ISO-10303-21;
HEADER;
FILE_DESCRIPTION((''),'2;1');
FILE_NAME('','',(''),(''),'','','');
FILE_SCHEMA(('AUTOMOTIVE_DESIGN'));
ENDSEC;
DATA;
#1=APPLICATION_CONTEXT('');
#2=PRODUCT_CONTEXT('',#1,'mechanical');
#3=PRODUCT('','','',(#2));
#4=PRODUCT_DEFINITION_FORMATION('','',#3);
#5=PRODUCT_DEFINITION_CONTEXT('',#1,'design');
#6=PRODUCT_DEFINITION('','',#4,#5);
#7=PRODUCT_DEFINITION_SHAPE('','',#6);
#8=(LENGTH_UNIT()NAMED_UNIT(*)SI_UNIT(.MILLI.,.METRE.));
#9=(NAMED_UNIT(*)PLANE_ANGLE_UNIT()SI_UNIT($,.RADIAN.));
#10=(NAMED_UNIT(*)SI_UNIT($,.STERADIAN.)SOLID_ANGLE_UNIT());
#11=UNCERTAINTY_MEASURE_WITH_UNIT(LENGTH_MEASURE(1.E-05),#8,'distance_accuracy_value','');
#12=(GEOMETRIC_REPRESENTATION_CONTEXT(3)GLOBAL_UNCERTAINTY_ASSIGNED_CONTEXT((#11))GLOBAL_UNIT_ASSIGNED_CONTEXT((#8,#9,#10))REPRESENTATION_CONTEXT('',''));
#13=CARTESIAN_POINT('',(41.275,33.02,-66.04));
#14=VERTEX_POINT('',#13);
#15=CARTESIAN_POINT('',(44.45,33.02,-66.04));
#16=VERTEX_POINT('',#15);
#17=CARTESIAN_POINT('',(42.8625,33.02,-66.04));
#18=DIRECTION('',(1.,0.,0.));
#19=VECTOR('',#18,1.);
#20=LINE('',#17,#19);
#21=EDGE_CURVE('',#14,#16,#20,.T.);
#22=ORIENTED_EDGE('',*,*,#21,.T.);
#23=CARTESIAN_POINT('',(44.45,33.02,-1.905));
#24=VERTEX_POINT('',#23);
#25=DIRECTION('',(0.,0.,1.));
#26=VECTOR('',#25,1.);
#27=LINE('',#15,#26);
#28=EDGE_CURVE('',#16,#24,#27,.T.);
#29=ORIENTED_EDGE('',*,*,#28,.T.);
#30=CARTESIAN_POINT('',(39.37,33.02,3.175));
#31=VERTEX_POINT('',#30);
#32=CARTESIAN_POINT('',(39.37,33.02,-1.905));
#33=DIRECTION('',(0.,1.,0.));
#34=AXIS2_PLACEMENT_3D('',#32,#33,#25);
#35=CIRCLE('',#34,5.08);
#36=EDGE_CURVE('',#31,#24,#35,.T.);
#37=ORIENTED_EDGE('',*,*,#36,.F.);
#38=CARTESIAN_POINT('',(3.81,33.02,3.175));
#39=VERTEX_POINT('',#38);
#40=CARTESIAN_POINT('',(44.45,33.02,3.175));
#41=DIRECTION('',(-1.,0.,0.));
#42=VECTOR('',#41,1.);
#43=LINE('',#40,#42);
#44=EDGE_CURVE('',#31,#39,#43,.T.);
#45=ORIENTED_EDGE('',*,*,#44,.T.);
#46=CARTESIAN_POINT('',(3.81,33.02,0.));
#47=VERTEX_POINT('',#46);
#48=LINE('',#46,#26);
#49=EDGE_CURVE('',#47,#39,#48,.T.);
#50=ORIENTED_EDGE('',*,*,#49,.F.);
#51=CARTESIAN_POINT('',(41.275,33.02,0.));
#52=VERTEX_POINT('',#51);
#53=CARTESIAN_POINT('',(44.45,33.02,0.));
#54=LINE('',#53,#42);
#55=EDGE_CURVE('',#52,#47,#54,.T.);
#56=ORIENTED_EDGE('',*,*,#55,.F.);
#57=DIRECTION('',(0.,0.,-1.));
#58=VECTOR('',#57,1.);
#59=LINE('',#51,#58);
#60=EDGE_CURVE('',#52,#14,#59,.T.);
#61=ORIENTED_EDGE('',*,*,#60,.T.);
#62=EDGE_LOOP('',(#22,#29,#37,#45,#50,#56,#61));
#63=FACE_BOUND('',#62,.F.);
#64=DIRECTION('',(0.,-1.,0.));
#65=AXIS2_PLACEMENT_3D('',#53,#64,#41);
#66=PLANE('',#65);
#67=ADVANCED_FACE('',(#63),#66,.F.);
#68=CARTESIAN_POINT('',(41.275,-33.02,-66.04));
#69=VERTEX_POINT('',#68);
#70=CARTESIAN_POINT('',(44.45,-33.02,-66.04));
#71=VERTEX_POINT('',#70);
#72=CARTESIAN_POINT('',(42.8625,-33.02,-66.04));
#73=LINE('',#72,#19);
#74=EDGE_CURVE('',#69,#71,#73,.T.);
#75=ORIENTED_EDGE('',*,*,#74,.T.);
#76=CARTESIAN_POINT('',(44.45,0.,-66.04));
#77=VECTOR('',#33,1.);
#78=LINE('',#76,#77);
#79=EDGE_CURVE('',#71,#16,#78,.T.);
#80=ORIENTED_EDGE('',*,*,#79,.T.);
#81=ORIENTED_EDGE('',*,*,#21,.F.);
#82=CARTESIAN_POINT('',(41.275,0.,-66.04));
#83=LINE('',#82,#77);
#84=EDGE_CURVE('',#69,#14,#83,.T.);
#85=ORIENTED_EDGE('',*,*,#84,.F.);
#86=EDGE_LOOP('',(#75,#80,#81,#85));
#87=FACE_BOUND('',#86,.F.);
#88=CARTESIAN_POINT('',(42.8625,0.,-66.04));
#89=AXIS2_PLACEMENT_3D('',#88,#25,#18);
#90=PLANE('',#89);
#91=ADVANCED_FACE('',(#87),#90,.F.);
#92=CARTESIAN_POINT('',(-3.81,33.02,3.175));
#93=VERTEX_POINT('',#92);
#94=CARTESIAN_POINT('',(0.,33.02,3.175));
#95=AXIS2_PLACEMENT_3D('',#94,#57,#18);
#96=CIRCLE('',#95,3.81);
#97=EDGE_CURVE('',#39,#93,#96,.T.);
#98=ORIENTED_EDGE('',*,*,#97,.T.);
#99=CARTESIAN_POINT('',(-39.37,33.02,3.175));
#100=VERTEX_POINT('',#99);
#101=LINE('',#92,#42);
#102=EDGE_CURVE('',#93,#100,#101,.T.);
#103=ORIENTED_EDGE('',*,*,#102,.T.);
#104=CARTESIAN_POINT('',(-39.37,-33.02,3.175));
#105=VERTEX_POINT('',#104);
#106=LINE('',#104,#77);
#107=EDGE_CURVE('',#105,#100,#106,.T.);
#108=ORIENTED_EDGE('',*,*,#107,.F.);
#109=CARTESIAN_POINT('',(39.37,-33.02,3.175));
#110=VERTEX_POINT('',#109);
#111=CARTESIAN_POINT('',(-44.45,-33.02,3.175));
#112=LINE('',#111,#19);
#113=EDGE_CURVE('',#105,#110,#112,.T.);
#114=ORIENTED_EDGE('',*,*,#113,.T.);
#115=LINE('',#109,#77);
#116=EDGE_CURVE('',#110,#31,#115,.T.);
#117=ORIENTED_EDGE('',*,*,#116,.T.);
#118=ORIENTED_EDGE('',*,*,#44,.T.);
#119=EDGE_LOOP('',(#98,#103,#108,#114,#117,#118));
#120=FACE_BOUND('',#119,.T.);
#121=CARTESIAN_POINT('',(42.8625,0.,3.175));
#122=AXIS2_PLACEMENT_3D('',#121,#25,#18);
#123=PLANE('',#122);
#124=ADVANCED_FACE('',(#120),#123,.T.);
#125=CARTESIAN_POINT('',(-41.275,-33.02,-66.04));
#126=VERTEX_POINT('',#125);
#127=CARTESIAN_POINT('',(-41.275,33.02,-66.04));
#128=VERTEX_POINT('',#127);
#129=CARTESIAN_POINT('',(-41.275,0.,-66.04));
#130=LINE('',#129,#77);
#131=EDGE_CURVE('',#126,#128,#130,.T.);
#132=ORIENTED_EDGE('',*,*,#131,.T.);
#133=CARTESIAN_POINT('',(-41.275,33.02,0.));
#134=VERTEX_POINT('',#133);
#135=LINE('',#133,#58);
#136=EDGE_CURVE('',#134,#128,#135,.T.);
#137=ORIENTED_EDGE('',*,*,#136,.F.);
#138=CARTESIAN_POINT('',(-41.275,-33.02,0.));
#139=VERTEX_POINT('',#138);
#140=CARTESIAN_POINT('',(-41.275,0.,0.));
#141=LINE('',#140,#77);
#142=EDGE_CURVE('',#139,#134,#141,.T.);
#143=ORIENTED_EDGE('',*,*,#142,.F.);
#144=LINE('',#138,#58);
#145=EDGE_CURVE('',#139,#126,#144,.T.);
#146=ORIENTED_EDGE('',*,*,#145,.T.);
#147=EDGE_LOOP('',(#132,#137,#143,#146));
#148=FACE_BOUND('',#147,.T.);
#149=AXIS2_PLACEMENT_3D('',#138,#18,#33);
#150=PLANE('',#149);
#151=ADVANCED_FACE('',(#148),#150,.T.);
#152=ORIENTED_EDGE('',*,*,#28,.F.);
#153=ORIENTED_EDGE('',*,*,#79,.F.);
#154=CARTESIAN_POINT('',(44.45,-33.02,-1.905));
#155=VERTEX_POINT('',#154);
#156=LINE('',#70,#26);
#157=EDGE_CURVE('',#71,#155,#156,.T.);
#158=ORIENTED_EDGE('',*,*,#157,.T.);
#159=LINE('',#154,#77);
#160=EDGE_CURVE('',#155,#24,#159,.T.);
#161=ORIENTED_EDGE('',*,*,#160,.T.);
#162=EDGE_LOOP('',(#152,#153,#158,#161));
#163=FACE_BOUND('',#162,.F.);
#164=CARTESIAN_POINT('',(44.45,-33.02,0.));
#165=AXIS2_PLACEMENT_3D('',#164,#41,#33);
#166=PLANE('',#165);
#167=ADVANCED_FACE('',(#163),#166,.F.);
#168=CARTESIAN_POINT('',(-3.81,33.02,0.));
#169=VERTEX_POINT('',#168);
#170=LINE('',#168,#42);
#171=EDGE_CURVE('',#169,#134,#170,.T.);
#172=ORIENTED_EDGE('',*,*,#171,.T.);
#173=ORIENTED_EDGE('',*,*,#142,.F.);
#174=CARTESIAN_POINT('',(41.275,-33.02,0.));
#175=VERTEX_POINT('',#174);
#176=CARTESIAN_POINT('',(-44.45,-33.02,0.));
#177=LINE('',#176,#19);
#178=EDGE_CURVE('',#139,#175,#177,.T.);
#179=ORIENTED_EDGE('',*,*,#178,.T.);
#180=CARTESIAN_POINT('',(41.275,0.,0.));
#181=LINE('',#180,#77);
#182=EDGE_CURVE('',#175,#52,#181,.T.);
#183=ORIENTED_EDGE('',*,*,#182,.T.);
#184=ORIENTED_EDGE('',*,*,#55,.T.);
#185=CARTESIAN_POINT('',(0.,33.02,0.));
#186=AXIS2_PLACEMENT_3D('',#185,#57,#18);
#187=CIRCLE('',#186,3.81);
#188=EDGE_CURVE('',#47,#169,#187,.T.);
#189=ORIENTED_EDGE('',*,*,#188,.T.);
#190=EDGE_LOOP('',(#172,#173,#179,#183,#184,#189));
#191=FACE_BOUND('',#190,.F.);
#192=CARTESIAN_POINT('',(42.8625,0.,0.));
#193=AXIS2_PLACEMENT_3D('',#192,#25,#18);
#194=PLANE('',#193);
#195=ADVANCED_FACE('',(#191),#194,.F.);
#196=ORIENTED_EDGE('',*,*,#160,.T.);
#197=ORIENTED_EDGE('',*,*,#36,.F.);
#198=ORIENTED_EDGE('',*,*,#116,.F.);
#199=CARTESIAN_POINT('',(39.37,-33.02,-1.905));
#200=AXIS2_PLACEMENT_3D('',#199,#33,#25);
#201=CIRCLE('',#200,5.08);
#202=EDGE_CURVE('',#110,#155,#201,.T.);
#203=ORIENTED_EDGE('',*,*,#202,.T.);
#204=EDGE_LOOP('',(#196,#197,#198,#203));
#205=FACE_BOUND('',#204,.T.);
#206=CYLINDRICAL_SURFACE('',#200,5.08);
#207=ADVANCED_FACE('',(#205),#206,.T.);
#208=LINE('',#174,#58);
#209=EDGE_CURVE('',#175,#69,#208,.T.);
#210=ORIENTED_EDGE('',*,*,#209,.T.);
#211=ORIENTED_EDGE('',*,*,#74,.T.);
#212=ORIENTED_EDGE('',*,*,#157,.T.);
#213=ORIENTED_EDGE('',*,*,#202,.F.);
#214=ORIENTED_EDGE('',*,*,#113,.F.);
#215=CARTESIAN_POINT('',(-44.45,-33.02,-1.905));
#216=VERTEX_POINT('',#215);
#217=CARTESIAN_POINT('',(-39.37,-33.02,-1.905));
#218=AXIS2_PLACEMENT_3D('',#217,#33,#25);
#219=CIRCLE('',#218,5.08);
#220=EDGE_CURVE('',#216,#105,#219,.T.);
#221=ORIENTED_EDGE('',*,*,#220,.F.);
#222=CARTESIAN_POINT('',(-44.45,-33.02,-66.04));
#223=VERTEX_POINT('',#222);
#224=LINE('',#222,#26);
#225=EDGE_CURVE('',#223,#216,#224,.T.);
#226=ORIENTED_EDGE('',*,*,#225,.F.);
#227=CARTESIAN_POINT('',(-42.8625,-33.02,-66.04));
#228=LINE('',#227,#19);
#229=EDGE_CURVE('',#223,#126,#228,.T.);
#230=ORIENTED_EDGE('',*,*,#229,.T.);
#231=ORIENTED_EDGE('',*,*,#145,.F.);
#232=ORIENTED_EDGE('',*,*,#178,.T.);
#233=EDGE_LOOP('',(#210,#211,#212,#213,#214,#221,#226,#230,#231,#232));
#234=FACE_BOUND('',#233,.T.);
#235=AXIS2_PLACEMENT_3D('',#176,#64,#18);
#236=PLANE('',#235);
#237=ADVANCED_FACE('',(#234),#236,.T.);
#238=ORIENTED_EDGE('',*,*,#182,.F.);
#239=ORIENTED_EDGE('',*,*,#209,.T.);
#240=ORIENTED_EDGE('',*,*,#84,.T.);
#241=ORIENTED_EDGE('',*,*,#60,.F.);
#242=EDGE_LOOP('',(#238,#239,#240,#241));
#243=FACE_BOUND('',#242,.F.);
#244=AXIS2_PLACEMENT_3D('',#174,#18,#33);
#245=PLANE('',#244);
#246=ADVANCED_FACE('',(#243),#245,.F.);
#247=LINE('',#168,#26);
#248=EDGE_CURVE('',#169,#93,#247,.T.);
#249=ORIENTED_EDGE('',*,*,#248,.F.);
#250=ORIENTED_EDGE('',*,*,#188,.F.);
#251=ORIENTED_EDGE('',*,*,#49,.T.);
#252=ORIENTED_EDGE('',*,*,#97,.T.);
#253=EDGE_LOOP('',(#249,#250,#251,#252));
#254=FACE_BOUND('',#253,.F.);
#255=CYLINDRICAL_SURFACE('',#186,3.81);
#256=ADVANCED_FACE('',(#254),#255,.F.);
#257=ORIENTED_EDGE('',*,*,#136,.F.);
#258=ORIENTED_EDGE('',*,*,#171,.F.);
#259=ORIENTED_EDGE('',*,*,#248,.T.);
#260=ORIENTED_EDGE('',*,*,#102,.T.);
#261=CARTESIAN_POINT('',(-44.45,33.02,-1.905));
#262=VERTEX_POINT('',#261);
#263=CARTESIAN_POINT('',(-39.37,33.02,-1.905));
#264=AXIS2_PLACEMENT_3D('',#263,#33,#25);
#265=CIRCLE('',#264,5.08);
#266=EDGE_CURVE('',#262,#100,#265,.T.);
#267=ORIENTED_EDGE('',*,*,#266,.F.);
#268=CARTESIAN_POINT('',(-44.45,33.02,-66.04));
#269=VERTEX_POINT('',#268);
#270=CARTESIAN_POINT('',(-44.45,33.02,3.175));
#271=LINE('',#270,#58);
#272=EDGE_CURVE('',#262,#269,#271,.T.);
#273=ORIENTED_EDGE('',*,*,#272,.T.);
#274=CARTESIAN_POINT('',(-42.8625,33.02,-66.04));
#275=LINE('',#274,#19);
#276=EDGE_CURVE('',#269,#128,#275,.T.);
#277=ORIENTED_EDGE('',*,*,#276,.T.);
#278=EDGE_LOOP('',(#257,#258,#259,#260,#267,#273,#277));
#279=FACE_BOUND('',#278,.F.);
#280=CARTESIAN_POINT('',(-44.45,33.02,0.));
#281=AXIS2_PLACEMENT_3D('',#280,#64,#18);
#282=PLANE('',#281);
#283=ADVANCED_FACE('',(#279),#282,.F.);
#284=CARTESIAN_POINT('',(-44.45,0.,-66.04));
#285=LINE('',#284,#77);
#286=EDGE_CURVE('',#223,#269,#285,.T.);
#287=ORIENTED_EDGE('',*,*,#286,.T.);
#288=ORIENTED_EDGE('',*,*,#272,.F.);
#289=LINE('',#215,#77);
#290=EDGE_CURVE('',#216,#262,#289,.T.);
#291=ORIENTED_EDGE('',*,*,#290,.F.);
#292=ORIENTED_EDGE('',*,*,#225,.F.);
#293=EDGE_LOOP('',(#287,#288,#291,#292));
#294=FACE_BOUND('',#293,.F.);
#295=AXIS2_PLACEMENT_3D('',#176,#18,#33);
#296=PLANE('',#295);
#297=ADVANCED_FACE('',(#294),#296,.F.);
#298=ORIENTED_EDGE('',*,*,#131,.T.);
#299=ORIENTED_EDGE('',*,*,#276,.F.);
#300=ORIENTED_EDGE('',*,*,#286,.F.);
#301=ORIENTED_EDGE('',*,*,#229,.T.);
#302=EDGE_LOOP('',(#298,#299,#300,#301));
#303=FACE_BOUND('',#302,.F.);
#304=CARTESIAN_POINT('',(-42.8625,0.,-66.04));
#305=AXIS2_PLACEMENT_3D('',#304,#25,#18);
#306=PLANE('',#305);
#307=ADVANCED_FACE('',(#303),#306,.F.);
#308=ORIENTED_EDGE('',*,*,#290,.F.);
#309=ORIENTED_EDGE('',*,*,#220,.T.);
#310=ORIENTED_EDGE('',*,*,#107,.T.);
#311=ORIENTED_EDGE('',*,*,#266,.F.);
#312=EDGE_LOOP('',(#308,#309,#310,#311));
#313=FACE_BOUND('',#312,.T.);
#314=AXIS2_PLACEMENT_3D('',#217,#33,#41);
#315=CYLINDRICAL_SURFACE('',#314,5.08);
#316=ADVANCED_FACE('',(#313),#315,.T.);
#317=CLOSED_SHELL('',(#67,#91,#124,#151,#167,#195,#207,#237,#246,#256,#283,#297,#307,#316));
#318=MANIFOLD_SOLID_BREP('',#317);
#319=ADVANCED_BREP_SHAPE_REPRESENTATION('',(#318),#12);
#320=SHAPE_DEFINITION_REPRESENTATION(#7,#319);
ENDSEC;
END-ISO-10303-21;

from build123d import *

# Parameters (mm, degrees)
F0_W     = 3.175
F0_H     = 66.04
F1_DEPTH = 3.175
F2_DEPTH = 66.04
F3_R     = 5.08


with BuildPart() as f1:
    # F0 (on Top) → F1 (new body)
    with BuildSketch(Plane.XY):
        with Locations((42.8625, 0)):
            Rectangle(F0_W, F0_H)
        with Locations((-42.8625, 0)):
            Rectangle(F0_W, F0_H)
        with BuildLine():
            Line((41.275, -33.02), (41.275, 33.02))
            Line((41.275, 33.02), (3.81, 33.02))
            ThreePointArc((3.81, 33.02), (0, 29.21), (-3.81, 33.02))
            Line((-3.81, 33.02), (-41.275, 33.02))
            Line((-41.275, 33.02), (-41.275, -33.02))
            Line((-41.275, -33.02), (41.275, -33.02))
        make_face()
    extrude(amount=F1_DEPTH)

    # F0 (on Top) → F2 (join)
    with BuildSketch(Plane.XY):
        with Locations((-42.8625, 0)):
            Rectangle(F0_W, F0_H)
        with Locations((42.8625, 0)):
            Rectangle(F0_W, F0_H)
    extrude(amount=-F2_DEPTH)

    # F3
    f3_edges = [f1.edges().sort_by_distance(p)[0] for p in [
        (-44.45, 0, 3.175),
        (44.45, 0, 3.175),
    ]]
    fillet(f3_edges, radius=F3_R)


solid = f1.part
